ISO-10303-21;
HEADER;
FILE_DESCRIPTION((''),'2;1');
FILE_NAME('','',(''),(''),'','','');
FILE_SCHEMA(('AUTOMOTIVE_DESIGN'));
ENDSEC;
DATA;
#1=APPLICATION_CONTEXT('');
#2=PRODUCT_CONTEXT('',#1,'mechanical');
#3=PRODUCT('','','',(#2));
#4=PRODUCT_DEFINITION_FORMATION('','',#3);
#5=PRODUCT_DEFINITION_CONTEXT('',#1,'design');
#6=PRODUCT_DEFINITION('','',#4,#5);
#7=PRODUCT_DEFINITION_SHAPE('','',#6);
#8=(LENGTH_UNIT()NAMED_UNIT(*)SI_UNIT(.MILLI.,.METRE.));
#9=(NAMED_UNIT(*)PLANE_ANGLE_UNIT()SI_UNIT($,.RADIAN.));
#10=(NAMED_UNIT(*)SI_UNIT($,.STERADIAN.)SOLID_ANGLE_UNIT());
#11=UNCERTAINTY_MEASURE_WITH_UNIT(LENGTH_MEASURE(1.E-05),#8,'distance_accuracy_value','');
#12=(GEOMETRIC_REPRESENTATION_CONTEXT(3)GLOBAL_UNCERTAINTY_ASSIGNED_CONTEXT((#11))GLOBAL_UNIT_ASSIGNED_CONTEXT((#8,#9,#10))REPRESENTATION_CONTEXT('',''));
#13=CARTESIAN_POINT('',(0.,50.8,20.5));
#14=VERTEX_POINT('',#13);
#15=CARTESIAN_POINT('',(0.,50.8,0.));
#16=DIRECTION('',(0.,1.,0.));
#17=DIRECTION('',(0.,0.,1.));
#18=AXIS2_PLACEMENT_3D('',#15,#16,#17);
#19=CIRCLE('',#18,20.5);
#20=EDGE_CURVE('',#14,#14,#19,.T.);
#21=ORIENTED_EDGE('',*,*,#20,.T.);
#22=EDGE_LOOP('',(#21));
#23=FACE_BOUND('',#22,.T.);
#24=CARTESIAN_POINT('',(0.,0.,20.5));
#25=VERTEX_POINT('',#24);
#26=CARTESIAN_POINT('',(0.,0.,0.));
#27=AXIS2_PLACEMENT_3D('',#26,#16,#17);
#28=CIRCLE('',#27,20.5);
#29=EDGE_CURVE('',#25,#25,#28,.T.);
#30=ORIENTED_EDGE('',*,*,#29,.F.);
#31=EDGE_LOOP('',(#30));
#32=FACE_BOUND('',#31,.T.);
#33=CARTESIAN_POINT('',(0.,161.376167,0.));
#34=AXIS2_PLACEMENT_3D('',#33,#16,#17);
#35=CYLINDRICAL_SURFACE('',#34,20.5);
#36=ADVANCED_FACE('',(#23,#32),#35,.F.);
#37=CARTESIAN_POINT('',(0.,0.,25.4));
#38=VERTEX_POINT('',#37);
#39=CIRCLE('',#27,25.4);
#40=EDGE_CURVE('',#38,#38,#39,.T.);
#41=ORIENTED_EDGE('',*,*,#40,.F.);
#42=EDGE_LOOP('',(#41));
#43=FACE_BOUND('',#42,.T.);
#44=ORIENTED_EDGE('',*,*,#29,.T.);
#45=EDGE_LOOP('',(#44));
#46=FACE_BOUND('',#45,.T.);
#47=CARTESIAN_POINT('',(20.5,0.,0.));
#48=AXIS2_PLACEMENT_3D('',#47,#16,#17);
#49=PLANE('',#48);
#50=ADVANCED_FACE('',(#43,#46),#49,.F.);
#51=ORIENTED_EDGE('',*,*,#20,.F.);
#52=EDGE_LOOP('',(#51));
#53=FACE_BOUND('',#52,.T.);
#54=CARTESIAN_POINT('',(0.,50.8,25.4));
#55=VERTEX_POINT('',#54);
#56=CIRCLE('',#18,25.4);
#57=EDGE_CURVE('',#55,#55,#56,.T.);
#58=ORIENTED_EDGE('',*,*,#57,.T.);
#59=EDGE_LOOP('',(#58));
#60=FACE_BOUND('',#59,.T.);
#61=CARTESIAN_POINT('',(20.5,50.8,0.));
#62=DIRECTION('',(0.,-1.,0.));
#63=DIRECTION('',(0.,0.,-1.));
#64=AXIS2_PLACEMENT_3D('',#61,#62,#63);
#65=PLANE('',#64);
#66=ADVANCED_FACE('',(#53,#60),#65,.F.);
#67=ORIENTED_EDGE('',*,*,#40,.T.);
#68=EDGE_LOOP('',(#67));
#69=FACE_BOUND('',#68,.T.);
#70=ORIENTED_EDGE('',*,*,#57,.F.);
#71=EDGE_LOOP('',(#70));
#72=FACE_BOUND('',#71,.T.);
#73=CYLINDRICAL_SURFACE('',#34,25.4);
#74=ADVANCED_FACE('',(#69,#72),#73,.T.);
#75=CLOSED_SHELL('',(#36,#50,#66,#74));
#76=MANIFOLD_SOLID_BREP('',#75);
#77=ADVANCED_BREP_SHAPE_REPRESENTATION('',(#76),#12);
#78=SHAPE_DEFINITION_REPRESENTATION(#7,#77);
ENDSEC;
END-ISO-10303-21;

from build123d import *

# Parameters (mm, degrees)
SKETCH_1_W = 4.9
SKETCH_1_H = 50.8


with BuildPart() as part:
    # 草图1 → 旋转1 (revolve)
    with BuildSketch(Plane.XY, mode=Mode.PRIVATE) as revolve_1_sk:
        with Locations((22.95, 25.4)):
            Rectangle(SKETCH_1_W, SKETCH_1_H)
    revolve(revolve_1_sk.sketch.rotate(Axis((0, 161.376166943, 0), (0, -1, 0)), 90), axis=Axis((0, 161.376166943, 0), (0, -1, 0)))  # turned: the seam where the file's is


solid = part.part
